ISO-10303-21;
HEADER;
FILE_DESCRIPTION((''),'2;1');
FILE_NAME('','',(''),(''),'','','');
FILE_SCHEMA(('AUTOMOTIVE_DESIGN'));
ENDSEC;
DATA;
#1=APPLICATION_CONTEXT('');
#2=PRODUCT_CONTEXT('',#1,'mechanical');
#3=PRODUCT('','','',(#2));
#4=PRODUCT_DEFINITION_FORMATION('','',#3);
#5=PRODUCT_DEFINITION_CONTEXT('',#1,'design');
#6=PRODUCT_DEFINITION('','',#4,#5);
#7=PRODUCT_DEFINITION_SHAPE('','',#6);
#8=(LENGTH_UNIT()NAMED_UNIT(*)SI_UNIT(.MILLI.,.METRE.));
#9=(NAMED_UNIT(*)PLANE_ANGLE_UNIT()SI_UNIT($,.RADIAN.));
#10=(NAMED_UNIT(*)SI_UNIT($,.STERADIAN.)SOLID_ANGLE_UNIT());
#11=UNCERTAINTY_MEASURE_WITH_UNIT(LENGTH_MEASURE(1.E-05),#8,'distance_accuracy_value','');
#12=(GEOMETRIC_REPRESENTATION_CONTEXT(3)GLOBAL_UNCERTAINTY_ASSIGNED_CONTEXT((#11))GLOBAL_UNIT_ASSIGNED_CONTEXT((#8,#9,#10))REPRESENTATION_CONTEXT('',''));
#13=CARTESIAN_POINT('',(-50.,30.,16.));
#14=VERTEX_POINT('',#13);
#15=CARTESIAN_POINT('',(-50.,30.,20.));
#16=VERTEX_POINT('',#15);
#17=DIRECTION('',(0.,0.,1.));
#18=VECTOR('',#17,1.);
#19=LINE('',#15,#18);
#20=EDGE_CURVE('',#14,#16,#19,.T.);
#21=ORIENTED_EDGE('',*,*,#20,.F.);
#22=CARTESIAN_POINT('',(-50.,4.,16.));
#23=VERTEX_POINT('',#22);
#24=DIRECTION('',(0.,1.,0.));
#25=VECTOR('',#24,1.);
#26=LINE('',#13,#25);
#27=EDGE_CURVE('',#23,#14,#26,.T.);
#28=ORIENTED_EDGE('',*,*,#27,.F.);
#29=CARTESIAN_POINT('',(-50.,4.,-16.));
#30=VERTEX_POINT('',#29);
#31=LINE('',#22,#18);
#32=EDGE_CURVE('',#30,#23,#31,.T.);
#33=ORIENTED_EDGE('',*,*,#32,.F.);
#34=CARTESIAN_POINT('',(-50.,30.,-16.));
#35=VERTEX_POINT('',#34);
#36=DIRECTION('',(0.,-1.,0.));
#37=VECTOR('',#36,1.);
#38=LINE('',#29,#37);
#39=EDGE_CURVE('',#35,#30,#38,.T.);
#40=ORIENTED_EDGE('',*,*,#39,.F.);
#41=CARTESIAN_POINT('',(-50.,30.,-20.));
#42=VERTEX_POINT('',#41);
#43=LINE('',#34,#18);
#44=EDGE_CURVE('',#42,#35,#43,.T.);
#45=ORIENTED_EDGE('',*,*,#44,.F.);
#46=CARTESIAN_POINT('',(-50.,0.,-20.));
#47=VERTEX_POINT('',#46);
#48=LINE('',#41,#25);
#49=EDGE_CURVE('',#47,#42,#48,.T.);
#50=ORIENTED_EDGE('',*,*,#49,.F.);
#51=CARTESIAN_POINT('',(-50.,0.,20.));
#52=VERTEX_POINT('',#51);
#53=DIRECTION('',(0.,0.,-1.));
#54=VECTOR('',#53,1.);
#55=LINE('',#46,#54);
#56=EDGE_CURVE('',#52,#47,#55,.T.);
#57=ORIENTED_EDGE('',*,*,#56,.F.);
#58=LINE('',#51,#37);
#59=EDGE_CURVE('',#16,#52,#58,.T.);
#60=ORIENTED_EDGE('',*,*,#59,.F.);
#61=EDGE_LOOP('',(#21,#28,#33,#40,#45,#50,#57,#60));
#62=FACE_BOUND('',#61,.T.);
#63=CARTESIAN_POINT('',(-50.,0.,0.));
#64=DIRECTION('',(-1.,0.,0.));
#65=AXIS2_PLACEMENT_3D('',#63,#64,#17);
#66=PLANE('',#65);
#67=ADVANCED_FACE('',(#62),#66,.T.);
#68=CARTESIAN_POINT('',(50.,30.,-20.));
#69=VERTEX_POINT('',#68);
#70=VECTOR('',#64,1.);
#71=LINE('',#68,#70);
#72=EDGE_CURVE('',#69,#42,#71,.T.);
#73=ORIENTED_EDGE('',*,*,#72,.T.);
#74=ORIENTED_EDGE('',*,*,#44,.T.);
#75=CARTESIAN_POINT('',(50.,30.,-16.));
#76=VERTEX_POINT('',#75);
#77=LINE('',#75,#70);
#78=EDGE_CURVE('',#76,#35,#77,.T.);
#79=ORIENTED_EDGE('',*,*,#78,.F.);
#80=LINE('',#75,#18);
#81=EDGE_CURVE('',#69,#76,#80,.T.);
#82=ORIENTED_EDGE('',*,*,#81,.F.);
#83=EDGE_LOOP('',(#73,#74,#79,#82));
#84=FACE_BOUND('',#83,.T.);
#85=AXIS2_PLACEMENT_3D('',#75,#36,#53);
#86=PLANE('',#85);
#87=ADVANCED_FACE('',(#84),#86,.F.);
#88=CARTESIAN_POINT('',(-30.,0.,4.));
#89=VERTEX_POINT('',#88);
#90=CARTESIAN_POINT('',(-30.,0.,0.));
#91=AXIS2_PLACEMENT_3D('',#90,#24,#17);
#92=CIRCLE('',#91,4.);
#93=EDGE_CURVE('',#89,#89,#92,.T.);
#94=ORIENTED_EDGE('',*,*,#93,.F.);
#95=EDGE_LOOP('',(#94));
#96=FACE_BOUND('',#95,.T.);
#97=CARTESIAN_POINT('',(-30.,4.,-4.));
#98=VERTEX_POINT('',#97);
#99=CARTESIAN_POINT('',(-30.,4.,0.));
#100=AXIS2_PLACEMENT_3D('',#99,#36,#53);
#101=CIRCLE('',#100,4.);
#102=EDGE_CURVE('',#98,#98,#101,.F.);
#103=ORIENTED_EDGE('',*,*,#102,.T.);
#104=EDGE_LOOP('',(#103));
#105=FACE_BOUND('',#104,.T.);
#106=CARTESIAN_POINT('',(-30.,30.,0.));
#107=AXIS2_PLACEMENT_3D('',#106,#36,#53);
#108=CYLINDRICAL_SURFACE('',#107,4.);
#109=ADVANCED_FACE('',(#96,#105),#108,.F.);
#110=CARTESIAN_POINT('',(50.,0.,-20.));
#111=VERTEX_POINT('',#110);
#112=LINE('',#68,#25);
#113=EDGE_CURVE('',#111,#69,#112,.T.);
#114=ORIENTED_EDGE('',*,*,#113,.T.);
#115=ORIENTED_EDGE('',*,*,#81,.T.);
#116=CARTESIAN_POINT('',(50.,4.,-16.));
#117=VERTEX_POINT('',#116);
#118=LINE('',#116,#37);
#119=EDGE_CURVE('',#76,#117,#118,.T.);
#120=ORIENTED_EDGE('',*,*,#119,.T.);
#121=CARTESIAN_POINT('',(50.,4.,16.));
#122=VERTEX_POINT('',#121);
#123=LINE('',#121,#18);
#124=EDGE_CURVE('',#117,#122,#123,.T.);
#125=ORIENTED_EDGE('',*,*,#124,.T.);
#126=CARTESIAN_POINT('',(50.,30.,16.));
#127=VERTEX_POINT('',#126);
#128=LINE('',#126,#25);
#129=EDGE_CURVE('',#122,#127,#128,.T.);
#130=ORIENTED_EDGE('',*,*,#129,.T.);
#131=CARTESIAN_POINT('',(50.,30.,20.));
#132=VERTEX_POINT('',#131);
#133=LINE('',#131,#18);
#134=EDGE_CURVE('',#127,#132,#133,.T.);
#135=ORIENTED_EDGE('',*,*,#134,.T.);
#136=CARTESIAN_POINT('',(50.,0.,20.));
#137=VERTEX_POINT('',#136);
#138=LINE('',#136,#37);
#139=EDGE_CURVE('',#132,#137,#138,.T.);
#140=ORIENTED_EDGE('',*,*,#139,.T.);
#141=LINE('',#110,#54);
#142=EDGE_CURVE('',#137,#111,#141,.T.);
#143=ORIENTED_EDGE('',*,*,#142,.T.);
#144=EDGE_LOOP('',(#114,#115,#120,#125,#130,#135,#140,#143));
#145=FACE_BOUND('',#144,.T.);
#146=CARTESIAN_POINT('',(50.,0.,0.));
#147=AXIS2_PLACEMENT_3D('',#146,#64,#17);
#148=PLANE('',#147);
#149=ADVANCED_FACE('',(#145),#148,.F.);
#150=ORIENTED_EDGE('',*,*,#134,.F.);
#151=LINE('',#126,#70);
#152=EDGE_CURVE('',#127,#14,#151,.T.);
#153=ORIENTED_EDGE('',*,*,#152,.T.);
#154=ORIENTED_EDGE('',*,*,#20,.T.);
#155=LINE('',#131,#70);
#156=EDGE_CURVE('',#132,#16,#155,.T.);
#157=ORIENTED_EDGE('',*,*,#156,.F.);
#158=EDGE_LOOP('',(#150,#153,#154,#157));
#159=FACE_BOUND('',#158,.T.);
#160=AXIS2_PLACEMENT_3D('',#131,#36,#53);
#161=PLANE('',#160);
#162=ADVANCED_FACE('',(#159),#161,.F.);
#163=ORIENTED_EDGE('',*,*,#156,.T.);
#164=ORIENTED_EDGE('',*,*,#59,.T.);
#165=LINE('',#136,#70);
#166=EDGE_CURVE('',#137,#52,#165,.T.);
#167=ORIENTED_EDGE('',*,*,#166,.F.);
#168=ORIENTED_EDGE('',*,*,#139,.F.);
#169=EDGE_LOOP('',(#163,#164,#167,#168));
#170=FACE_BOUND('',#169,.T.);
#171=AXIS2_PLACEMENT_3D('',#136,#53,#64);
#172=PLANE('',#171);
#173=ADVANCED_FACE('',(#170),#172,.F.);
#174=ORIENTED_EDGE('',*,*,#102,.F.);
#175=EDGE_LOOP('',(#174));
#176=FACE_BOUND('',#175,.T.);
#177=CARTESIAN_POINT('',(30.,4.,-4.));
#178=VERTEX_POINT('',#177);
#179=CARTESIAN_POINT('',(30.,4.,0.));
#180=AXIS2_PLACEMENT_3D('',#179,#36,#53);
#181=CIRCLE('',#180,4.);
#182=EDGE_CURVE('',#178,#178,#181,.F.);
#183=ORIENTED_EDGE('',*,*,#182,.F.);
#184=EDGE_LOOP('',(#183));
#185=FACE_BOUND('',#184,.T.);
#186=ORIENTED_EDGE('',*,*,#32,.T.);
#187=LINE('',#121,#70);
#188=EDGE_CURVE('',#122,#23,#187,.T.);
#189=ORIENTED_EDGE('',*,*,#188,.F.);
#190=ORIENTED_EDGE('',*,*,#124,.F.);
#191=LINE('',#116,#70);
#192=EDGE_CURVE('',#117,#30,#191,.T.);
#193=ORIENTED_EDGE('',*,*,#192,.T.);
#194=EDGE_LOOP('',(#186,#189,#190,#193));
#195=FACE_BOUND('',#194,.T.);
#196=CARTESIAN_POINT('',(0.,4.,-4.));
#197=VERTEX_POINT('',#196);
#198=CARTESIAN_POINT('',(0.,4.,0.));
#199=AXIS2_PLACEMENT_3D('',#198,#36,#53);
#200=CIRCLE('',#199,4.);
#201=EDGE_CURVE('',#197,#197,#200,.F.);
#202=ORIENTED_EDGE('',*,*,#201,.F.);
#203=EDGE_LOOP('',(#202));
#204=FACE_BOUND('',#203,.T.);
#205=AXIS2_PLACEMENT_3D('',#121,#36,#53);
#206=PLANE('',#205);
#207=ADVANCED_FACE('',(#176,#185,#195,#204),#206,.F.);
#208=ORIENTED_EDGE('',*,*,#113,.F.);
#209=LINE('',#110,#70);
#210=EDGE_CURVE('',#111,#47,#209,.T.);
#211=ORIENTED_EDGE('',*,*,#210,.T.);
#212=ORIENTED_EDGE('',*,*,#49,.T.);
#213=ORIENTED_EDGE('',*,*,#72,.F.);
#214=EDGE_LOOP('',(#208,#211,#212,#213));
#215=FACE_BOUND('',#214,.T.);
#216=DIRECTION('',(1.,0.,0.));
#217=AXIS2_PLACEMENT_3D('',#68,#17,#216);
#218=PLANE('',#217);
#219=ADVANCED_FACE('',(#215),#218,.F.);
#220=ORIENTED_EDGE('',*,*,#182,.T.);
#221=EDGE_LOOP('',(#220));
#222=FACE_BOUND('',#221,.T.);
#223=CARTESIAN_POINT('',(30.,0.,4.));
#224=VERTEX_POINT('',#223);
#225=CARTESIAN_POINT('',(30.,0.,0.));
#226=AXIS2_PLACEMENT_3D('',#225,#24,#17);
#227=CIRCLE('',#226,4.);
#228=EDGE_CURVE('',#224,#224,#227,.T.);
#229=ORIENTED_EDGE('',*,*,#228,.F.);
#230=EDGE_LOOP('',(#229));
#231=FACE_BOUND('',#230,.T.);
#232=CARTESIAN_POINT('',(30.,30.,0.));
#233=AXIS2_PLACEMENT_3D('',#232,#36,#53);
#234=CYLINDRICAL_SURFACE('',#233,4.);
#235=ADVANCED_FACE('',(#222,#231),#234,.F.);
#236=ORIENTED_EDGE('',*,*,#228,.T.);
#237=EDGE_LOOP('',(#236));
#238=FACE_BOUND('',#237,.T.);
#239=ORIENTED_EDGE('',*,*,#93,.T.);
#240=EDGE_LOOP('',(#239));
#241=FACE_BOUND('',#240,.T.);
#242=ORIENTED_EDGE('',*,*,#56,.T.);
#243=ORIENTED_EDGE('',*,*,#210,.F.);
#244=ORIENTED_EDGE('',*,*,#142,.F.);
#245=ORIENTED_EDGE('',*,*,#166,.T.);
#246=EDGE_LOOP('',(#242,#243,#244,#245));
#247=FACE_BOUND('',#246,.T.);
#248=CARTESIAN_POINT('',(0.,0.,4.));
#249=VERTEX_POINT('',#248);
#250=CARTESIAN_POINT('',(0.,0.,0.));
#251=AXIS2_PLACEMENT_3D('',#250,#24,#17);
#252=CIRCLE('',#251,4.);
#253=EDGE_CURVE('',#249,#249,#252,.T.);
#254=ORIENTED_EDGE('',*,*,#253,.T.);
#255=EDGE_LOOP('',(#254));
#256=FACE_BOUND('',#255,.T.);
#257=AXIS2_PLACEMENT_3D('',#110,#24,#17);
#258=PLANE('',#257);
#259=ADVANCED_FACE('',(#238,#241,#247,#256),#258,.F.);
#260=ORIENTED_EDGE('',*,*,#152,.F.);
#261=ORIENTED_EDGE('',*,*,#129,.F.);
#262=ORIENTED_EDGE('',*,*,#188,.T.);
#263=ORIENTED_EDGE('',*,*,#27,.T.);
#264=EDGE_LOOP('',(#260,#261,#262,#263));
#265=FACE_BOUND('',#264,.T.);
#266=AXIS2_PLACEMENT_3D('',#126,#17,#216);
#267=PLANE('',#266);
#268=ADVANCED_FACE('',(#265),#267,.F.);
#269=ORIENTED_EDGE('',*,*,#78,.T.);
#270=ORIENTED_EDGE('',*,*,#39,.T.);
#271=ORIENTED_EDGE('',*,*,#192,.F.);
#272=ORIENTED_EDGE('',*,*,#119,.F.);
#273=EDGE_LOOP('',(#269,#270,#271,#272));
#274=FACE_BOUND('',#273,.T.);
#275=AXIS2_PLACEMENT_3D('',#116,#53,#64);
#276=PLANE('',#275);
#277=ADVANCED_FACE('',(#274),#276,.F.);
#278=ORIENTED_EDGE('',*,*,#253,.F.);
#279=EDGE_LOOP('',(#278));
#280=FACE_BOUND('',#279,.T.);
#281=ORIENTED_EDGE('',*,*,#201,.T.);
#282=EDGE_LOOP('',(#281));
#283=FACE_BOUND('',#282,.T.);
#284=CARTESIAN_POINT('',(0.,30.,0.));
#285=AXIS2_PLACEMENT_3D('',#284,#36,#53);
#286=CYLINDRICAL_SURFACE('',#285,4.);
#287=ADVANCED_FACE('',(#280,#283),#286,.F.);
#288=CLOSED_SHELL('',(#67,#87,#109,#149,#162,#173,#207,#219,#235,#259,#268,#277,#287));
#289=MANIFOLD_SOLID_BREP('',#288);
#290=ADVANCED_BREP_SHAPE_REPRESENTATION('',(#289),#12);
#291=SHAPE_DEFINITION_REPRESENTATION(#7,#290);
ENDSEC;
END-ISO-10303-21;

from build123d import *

# Parameters (mm, degrees)
EXTRUDE_1_DEPTH     = 100
SKETCH_2_R          = 4
CUT_EXTRUDE_1_DEPTH = 62.64414003


with BuildPart() as part:
    # 草图1 → 凸台-拉伸1 (new body)
    with BuildSketch(Plane(origin=(-50, 0, 0), x_dir=(0, 0, -1), z_dir=(1, 0, 0))):
        Polygon((20, 0), (-20, 0), (-20, 30), (-16, 30), (-16, 4), (16, 4), (16, 30), (20, 30), align=None)
    extrude(amount=EXTRUDE_1_DEPTH)

    # 草图2 → 切除-拉伸1 (cut, through all)
    with BuildSketch(Plane(origin=(0, 0, 0), x_dir=(1, 0, 0), z_dir=(0, 1, 0))):
        with Locations(Location((-30, 0, 0), (0, 0, 90))):
            Circle(SKETCH_2_R)
        with Locations(Location((0, 0, 0), (0, 0, 90))):
            Circle(SKETCH_2_R)
        with Locations(Location((30, 0, 0), (0, 0, 90))):
            Circle(SKETCH_2_R)
    extrude(amount=CUT_EXTRUDE_1_DEPTH, mode=Mode.SUBTRACT)


solid = part.part
